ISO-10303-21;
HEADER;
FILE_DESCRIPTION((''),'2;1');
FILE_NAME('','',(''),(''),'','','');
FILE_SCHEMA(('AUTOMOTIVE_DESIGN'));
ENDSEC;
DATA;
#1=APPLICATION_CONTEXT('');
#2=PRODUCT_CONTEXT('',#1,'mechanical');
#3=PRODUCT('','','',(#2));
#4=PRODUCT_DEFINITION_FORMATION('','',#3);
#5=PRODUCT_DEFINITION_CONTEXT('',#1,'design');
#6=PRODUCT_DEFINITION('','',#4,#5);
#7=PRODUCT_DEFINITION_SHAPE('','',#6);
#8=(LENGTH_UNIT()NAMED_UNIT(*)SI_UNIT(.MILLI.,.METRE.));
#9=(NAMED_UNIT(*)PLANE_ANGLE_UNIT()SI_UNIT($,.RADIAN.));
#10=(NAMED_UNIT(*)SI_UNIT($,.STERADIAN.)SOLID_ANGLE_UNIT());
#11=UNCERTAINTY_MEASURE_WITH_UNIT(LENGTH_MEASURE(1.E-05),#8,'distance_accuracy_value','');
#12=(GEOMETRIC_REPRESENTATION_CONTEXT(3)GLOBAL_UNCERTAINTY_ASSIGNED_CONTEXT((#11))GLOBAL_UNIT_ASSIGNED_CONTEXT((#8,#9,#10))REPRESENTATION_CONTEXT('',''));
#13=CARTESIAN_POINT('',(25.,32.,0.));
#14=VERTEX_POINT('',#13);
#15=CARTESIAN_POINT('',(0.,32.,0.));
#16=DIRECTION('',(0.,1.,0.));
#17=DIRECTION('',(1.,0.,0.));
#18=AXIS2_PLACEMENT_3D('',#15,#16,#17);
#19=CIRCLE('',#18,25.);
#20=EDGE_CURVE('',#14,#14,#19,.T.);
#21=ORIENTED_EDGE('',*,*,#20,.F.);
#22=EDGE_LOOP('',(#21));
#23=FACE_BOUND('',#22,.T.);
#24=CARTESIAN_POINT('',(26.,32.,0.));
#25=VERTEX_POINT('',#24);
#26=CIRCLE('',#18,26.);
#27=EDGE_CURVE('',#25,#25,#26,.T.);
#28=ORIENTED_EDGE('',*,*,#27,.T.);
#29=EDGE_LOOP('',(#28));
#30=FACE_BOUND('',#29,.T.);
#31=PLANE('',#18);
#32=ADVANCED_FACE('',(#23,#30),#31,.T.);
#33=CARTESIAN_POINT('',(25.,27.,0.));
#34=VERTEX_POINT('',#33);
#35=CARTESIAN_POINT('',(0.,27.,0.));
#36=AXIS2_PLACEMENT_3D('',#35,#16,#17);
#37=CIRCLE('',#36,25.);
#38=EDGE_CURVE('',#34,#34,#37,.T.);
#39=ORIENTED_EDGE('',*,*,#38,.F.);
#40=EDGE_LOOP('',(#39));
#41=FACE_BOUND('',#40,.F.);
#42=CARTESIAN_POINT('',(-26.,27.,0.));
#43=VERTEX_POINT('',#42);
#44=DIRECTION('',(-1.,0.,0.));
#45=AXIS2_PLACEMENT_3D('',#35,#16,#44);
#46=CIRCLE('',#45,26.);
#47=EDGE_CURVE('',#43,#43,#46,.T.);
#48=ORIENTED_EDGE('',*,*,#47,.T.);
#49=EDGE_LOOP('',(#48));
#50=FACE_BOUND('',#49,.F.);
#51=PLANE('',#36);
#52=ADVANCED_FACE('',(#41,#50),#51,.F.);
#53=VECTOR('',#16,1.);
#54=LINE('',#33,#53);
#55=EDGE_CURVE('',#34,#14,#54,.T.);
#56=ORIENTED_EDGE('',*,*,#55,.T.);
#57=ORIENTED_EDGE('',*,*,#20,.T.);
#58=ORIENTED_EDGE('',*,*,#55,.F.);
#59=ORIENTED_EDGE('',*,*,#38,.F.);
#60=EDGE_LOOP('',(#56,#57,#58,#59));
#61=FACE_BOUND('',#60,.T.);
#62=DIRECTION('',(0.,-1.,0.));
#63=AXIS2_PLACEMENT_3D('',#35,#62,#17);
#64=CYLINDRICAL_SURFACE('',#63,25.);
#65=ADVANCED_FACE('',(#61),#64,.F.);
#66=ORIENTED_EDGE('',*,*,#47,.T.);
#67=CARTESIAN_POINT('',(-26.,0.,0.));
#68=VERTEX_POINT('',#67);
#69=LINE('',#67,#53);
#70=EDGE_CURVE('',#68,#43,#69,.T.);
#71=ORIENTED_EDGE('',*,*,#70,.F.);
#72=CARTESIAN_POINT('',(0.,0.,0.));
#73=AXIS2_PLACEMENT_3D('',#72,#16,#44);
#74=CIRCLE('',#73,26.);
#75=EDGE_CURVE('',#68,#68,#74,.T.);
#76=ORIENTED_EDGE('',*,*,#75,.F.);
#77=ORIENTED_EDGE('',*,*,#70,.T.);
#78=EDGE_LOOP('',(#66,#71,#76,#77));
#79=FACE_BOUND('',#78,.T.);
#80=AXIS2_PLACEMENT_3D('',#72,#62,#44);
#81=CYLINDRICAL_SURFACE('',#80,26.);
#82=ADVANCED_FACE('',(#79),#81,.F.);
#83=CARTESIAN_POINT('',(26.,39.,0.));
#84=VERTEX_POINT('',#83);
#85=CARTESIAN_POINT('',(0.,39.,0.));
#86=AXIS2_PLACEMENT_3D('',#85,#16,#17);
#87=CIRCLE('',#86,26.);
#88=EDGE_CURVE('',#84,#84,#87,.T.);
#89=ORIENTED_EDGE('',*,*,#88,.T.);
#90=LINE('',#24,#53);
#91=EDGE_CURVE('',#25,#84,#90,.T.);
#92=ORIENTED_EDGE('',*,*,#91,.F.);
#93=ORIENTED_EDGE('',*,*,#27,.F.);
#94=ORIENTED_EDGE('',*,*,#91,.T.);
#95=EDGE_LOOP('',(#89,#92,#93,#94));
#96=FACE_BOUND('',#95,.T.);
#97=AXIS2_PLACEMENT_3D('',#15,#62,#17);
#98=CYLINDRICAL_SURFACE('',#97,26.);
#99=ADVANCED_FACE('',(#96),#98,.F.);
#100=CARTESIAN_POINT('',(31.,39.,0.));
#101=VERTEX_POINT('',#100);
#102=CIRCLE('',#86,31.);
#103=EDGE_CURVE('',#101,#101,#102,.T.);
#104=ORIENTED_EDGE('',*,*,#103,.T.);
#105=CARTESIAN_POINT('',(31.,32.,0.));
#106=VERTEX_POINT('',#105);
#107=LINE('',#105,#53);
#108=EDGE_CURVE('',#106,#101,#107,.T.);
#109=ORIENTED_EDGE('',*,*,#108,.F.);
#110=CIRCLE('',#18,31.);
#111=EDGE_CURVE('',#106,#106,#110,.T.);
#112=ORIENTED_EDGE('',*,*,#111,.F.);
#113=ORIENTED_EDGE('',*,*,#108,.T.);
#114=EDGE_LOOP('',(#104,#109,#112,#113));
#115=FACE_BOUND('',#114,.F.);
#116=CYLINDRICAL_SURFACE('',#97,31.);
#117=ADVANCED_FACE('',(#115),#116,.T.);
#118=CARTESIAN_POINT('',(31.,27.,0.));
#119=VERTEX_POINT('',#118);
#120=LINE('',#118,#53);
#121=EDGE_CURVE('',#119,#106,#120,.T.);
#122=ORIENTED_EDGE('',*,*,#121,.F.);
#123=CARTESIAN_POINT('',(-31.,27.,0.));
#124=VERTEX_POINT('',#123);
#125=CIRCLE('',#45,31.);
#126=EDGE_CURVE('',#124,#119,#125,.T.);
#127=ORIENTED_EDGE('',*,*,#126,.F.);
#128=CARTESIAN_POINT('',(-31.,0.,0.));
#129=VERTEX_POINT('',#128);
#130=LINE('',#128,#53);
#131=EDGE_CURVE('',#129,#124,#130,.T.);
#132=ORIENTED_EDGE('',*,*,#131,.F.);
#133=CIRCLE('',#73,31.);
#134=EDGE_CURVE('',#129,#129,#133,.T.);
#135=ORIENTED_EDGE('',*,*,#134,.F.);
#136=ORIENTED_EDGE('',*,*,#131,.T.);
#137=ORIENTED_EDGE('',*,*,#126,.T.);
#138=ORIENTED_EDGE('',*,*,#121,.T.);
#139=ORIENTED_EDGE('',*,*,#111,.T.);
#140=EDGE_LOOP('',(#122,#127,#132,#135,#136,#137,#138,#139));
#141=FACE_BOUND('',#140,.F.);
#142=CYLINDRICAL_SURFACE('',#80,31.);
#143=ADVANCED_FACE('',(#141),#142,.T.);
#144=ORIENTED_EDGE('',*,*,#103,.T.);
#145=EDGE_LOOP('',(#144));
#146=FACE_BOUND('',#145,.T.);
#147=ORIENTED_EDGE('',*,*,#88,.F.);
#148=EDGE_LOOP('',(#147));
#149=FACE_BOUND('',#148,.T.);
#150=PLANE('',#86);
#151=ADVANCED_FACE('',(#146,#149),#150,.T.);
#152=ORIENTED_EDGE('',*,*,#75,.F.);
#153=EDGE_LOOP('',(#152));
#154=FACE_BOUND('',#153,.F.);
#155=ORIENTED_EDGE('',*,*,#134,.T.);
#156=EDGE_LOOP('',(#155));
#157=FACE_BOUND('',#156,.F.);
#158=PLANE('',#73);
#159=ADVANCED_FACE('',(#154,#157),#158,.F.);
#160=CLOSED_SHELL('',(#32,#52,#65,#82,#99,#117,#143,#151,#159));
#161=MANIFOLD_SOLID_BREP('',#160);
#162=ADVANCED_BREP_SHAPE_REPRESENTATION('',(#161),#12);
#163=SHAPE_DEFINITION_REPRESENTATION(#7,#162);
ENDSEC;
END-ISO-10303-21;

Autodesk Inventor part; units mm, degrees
ref_plane "YZ Plane" through (0, 0, 0) normal (1, 0, 0) x (0, 1, 0)
ref_plane "XZ Plane" through (0, 0, 0) normal (0, 1, 0) x (-1, 0, 0)
ref_plane "XY Plane" through (0, 0, 0) normal (0, 0, 1) x (1, 0, 0)
sketch "Sketch1" plane through (0, 0, 0) normal (0, 1, 0) x (-1, 0, 0)
  circle A0 centre (0, 0) radius 26
  circle A1 centre (0, 0) radius 31
  dimension "d0" = 52
  dimension "d1" = 62
extrude "Extrusion1" add sketch "Sketch1" along normal blind 27
sketch "Sketch2" plane through (0, 27, 0) normal (0, 1, 0) x (1, 0, 0)
  circle A0 centre (0, 0) radius 25
  circle A1 centre (0, 0) radius 31 projected
  dimension "d4" = 50
extrude "Extrusion2" add sketch "Sketch2" along normal blind 5
sketch "Sketch3" plane through (0, 32, 0) normal (0, 1, 0) x (1, 0, 0)
  circle A0 centre (0, 0) radius 31 projected
  circle A1 centre (0, 0) radius 26 projected
extrude "Extrusion3" add sketch "Sketch3" along normal blind 7
properties part number "Axis 4 Female Bearing Connector Bracket"
